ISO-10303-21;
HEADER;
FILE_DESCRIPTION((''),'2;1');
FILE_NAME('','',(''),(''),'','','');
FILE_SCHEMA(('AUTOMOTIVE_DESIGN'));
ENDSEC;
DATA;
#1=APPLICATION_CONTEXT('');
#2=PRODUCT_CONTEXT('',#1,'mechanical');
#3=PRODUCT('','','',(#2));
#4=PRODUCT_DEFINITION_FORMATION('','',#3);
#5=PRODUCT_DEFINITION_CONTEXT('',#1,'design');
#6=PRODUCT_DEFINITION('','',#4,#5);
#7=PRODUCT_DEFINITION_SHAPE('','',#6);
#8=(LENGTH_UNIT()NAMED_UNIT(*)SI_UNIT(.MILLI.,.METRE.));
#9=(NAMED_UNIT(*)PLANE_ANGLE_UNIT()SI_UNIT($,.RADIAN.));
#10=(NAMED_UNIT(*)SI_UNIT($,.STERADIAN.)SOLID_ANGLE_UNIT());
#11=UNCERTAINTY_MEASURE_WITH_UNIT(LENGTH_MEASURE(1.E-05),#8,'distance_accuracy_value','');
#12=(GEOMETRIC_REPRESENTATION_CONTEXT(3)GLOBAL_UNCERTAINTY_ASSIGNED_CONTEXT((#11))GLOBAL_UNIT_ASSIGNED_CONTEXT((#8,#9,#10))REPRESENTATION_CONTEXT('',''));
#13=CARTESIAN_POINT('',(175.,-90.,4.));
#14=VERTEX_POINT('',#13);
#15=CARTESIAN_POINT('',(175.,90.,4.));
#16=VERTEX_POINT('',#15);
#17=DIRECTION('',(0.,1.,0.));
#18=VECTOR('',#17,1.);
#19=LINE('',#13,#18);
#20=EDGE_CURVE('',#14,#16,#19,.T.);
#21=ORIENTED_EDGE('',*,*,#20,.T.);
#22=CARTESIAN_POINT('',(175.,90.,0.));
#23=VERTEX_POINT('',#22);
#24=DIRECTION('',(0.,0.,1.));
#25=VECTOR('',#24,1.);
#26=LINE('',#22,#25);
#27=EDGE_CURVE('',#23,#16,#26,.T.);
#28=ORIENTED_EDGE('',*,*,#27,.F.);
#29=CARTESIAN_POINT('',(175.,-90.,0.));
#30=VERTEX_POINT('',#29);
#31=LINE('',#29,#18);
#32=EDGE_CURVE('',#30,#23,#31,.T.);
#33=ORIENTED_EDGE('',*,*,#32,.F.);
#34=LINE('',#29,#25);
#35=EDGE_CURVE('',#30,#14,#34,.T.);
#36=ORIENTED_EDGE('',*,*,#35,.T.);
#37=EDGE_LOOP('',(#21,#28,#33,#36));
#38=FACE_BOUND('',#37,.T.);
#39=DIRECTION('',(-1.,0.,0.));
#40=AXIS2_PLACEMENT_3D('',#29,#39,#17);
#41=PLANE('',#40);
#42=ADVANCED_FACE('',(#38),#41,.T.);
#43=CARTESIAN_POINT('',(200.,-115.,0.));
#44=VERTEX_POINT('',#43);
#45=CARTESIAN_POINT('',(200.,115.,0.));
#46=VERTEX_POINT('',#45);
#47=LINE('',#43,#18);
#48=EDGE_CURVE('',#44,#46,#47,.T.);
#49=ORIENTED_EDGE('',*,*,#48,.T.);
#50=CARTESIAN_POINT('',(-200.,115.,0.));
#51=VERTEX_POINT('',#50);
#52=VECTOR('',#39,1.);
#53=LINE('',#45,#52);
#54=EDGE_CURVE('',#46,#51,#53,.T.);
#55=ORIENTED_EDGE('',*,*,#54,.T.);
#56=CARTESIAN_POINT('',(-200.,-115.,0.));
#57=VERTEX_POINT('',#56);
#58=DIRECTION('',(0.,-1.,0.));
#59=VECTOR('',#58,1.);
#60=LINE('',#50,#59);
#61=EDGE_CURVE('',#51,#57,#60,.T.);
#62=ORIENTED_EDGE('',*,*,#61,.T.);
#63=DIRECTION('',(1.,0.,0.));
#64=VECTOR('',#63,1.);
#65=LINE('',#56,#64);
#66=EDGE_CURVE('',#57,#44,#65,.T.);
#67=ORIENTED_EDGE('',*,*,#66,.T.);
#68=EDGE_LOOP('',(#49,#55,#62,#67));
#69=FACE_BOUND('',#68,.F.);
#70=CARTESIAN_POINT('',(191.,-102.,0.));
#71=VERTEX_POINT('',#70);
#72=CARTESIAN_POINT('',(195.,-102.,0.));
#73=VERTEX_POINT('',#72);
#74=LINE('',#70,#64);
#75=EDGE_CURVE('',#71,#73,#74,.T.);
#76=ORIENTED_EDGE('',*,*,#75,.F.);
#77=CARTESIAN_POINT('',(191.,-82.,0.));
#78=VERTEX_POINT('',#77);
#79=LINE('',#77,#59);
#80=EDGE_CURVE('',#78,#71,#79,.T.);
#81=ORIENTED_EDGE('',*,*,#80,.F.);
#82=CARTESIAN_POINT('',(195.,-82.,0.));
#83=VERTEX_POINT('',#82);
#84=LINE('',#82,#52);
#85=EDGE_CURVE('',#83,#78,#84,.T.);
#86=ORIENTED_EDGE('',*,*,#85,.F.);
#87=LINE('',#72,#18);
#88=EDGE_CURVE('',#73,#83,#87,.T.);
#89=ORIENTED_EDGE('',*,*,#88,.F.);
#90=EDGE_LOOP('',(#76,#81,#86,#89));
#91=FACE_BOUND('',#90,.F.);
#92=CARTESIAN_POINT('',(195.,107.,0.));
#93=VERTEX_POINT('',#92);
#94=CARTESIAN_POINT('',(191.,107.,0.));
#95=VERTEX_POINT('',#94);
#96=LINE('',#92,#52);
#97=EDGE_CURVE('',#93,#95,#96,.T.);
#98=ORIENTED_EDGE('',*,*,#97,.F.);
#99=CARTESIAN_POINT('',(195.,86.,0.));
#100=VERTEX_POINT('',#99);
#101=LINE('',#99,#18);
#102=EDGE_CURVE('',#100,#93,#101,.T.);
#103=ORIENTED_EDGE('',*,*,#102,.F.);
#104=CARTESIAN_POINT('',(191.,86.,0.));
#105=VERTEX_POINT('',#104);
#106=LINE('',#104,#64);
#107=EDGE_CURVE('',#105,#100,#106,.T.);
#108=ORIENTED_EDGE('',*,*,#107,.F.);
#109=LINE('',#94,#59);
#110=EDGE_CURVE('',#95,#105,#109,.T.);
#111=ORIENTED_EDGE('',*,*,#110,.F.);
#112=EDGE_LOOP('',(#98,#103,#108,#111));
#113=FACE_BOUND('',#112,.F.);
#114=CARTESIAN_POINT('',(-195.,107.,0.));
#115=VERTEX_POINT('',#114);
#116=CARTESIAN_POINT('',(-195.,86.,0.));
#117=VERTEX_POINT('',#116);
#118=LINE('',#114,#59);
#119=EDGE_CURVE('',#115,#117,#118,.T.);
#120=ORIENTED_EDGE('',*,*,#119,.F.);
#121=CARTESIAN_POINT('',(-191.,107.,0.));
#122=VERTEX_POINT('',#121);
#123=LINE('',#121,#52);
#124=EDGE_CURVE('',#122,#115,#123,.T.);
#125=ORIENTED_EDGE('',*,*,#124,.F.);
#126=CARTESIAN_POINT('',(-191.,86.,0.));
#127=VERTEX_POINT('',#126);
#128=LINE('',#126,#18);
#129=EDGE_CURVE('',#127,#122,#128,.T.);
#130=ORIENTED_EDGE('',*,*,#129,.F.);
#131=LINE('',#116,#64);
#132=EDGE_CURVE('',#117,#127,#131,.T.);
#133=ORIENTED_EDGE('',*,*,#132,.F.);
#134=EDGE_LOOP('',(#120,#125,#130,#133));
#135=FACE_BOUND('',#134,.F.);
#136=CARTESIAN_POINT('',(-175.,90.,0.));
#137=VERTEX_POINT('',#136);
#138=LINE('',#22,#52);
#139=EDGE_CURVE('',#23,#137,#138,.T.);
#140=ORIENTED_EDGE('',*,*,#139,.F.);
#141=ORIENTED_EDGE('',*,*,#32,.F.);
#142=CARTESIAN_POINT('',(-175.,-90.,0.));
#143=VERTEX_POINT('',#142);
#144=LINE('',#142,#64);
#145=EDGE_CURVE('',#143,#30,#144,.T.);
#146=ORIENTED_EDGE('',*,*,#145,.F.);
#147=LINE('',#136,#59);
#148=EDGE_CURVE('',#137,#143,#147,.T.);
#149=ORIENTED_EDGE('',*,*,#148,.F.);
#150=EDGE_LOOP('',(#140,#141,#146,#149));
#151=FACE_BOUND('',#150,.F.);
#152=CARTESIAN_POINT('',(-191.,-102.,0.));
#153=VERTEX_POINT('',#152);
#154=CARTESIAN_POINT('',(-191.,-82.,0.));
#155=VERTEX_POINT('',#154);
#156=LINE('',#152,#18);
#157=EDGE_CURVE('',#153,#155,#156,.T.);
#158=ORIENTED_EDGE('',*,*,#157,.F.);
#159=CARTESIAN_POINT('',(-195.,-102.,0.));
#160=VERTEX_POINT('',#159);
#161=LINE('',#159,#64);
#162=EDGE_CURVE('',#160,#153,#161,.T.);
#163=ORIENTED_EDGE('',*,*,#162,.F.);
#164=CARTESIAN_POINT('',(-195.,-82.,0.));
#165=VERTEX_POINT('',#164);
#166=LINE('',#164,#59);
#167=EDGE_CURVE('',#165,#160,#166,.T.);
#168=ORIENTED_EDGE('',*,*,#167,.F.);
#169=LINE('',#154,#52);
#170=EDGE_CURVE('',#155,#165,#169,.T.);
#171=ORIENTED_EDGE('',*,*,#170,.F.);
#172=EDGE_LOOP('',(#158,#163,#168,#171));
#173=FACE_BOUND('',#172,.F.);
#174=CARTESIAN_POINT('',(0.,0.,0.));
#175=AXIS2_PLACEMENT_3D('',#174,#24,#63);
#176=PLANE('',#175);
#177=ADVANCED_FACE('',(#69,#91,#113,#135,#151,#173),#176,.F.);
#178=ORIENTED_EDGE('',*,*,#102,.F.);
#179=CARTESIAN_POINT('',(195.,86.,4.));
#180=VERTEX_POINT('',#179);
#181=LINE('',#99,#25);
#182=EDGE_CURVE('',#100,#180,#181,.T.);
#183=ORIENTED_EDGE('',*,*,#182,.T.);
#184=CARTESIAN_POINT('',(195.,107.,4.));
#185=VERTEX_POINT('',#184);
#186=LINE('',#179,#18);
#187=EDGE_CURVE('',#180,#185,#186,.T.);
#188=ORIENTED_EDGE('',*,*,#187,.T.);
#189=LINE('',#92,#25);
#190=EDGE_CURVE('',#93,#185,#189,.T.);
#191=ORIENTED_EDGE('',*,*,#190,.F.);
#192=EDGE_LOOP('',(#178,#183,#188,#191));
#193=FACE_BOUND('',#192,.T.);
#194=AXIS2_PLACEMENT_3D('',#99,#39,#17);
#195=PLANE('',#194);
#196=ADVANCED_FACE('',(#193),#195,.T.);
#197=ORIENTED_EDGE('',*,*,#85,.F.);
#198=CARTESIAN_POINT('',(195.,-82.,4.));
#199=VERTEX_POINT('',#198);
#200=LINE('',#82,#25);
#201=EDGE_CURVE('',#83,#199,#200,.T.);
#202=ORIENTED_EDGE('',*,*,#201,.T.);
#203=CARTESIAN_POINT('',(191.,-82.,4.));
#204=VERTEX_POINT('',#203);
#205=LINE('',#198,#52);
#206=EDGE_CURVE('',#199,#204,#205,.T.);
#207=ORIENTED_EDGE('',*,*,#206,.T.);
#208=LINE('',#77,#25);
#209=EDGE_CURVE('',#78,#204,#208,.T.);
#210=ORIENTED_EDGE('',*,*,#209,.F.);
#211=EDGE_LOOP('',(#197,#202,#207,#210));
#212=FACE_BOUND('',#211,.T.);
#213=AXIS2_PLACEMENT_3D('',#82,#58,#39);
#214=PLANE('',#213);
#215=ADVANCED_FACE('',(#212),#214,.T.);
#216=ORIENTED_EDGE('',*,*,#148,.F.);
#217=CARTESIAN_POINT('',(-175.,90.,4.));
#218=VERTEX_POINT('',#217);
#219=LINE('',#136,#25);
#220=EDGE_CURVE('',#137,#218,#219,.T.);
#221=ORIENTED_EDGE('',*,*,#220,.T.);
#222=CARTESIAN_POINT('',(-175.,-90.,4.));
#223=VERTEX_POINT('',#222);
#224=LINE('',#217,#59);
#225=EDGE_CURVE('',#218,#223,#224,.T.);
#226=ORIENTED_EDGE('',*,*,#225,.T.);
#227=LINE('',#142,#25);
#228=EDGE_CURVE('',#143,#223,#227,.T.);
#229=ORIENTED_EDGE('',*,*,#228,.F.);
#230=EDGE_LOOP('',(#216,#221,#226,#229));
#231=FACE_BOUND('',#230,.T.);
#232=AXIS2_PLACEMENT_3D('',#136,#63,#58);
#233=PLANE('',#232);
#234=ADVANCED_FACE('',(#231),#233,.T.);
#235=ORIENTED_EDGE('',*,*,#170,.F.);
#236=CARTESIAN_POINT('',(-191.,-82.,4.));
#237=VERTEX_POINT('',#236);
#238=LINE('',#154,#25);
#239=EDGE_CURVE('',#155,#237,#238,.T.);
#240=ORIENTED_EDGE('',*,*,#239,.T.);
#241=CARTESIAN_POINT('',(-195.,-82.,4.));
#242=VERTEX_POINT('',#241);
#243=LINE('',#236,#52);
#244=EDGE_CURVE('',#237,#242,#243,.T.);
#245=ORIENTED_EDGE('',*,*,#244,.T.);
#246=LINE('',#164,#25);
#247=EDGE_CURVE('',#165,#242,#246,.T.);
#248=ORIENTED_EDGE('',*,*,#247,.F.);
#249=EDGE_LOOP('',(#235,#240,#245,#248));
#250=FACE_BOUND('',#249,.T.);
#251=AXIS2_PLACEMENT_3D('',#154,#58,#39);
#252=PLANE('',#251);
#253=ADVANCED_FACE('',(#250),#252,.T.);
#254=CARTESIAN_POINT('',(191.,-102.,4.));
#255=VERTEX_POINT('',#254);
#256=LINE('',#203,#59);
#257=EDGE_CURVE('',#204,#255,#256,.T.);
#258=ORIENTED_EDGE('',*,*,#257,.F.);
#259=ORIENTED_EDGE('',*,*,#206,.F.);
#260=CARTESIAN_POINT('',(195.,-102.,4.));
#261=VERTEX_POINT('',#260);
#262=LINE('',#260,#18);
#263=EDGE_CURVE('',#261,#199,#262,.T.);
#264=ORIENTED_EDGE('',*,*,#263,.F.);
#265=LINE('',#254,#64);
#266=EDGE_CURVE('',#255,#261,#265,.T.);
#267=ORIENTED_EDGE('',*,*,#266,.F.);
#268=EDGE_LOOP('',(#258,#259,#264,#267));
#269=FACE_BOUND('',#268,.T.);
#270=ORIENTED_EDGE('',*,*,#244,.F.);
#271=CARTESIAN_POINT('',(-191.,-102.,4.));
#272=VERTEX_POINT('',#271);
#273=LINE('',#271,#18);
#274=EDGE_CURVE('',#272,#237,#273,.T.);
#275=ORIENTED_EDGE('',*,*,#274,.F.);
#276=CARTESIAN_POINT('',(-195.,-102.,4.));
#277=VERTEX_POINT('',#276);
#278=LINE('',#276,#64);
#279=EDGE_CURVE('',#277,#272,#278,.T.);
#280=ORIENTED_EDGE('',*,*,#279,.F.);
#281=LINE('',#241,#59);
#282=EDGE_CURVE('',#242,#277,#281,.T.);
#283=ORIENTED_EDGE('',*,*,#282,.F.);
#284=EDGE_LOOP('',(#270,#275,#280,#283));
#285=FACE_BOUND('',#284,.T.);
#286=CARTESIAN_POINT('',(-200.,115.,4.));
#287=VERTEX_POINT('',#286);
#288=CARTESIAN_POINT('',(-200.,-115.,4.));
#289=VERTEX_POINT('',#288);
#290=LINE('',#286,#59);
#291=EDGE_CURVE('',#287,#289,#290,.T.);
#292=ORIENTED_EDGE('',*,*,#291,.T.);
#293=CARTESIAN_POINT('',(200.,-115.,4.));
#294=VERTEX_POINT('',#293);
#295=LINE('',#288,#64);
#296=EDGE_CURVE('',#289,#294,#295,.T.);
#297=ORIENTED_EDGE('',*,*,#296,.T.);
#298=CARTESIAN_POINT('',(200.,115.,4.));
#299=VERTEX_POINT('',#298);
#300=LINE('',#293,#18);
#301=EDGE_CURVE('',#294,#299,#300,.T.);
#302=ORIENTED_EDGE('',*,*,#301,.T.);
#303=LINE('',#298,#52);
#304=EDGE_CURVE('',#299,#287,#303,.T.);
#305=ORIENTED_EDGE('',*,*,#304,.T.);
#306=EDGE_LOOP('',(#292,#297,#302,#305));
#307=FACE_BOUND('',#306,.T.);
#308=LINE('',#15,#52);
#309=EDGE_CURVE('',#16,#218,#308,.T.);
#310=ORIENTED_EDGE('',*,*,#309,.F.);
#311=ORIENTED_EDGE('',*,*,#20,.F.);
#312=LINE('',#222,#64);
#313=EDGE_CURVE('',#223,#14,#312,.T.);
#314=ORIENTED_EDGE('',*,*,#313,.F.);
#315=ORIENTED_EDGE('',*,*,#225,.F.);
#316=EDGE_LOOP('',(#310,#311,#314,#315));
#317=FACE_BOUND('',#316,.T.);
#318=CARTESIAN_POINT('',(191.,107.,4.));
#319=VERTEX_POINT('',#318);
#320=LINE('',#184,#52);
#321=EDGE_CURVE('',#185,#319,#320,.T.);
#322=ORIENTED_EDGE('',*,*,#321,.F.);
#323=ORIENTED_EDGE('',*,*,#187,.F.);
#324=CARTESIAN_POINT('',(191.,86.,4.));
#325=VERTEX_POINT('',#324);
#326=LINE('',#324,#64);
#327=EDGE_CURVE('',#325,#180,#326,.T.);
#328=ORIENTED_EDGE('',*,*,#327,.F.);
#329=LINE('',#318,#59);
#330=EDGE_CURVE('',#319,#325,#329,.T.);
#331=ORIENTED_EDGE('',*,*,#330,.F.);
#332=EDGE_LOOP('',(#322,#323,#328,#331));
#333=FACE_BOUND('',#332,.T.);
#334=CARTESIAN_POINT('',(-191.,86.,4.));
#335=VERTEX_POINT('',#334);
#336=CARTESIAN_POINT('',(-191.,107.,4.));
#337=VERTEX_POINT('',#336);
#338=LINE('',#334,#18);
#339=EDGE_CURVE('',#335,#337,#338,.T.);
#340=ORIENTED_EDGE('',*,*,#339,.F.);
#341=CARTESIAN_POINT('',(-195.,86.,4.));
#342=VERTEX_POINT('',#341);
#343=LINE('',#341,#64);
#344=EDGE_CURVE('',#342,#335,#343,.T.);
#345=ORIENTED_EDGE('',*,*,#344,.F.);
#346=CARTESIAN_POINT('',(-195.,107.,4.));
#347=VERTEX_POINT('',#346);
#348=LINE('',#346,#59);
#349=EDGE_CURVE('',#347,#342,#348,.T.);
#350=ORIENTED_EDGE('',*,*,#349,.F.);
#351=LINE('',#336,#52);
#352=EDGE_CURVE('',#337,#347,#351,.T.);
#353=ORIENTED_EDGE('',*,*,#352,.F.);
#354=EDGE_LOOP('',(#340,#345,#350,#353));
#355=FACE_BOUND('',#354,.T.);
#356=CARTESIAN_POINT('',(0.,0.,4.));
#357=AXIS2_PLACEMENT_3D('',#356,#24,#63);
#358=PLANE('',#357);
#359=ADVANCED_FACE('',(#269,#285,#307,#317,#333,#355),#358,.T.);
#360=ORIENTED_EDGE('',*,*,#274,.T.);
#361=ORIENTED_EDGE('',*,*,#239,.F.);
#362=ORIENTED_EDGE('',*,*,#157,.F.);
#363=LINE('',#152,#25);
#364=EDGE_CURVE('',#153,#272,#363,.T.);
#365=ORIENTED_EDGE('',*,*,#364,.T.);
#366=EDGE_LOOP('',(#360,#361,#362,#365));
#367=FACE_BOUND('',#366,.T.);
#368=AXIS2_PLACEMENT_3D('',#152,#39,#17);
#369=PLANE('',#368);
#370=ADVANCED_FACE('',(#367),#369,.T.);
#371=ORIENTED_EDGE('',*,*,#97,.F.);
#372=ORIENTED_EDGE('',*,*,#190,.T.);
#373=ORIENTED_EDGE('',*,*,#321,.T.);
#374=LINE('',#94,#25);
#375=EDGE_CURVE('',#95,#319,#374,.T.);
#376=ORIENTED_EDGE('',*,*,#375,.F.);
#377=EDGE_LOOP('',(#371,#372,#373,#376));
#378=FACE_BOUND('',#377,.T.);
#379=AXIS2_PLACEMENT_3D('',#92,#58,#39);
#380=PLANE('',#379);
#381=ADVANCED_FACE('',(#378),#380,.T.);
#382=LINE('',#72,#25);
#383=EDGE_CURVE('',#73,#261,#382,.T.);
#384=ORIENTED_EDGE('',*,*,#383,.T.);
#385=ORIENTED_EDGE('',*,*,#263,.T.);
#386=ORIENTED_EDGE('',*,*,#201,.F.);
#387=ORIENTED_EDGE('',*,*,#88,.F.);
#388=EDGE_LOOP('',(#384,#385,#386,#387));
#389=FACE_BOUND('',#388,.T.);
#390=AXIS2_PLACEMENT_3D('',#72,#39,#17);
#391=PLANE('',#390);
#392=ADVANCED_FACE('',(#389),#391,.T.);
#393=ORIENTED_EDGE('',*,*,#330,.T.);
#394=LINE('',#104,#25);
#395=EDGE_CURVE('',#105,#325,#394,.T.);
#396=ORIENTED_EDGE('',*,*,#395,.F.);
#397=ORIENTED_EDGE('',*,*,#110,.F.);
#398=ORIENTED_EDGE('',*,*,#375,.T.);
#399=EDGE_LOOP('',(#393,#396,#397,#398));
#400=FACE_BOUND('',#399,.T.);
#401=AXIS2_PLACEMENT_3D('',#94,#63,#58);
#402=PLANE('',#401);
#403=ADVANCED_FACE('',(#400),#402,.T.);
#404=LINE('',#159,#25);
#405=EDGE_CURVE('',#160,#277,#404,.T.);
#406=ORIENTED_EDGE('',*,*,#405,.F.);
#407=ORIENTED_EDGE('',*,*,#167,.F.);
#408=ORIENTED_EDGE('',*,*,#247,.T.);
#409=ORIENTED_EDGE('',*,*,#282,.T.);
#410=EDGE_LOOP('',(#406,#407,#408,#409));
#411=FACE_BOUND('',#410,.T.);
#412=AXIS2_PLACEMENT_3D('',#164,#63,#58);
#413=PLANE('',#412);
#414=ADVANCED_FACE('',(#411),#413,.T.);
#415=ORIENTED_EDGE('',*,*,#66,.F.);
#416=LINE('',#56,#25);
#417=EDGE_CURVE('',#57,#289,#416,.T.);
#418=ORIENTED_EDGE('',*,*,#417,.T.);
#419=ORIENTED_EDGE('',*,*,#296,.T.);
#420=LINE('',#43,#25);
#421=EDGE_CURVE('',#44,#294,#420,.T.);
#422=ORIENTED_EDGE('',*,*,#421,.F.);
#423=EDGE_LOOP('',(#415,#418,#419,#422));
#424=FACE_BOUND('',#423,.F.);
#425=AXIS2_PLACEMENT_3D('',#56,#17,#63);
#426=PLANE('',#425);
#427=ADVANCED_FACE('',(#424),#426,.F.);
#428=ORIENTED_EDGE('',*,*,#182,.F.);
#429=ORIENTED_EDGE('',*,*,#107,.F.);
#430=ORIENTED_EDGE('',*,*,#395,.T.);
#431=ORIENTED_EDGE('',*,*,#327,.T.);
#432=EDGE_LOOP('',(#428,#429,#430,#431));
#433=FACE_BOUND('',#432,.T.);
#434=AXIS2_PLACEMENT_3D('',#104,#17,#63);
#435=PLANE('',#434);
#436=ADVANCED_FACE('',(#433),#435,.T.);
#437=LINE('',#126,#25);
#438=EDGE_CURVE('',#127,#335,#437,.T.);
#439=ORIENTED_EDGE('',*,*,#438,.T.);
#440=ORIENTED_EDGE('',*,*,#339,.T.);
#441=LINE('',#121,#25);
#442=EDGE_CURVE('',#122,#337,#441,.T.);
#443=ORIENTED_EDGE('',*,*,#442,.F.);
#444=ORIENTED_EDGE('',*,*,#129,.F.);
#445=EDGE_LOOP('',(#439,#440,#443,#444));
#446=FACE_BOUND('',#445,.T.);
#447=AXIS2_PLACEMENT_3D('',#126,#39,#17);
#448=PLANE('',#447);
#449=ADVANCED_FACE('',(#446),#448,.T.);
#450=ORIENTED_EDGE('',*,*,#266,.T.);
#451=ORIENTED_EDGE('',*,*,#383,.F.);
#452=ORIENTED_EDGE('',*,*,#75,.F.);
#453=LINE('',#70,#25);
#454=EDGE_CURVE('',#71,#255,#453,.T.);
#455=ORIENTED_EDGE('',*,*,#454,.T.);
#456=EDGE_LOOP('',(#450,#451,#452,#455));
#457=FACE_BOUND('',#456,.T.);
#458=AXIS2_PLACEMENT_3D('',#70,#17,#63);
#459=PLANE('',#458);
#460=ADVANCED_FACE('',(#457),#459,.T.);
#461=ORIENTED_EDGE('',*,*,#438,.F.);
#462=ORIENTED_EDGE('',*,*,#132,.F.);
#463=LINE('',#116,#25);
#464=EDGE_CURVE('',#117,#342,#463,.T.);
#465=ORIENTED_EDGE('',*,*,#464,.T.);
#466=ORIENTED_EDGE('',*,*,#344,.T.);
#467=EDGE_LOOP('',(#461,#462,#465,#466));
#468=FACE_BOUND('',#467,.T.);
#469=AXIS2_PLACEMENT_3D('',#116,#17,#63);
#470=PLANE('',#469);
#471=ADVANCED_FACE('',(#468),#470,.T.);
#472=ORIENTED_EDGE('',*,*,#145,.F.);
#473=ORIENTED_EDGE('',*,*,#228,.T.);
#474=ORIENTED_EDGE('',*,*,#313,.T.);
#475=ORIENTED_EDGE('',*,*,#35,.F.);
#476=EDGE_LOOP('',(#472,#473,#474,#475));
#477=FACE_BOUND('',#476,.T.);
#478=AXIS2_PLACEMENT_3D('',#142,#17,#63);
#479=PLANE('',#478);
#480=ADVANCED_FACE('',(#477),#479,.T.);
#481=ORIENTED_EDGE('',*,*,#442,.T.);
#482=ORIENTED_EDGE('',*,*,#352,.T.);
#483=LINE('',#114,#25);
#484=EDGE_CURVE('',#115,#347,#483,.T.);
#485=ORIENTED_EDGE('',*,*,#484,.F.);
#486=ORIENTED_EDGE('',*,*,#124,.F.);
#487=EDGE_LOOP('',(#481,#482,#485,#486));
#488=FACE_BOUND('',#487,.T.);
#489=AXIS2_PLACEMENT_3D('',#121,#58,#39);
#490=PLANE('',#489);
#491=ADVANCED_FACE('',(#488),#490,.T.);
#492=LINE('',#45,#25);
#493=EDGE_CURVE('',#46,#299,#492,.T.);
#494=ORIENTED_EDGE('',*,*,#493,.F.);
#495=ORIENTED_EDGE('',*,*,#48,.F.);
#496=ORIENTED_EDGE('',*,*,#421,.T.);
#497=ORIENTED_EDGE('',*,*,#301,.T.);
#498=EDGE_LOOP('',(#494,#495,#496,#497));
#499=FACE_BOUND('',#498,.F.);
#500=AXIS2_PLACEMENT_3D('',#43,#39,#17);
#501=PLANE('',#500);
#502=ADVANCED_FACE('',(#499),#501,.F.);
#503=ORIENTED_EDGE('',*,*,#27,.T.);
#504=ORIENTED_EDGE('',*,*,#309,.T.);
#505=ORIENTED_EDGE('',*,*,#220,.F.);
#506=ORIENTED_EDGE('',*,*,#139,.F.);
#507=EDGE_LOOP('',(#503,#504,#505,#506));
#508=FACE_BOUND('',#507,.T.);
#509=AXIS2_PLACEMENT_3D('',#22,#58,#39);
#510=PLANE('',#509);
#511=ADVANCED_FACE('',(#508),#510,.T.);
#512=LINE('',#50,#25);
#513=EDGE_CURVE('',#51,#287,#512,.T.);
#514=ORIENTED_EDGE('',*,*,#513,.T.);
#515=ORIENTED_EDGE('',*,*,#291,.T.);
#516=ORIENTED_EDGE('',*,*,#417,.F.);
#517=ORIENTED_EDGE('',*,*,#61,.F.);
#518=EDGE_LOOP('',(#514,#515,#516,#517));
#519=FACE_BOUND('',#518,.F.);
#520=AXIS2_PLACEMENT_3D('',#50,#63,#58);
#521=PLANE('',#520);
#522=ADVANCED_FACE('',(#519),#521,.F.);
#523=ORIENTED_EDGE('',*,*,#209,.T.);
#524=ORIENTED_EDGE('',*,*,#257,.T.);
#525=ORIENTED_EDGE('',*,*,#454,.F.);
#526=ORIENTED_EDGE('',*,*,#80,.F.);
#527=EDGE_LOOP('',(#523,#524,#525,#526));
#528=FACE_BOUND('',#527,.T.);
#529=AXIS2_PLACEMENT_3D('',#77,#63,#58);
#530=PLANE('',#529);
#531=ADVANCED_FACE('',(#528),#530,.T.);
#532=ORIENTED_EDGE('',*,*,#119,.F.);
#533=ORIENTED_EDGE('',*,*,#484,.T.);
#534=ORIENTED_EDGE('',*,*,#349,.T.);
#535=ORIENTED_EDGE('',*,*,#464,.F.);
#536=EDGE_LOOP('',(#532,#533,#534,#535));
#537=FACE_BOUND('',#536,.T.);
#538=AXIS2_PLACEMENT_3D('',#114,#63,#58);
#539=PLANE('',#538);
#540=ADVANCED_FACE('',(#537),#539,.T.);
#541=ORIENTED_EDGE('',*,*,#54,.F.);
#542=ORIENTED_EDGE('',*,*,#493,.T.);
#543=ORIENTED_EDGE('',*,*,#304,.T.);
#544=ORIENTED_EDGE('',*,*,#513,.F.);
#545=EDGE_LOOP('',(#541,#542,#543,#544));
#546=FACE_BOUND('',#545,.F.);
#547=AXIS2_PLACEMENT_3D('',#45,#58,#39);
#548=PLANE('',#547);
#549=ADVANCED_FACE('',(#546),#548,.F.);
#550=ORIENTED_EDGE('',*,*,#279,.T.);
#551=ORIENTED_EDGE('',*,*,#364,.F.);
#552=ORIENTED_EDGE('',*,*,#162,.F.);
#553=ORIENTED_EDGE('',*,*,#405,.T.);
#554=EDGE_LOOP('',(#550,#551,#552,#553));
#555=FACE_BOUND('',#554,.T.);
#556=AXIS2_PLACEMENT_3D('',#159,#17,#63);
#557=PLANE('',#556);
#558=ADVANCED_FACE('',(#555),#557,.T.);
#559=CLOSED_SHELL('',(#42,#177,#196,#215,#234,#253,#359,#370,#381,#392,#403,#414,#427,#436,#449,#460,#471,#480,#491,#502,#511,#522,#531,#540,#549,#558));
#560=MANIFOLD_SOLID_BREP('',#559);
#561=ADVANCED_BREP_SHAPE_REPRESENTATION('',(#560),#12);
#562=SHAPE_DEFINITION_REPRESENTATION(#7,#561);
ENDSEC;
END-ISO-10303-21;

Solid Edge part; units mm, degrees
sketch "Sketch1" plane through (0, 0, 0) normal (0, 0, 1) x (1, 0, 0)
  line L0 (191, 107) -> (191, 86)
  line L1 (191, 86) -> (195, 86)
  line L2 (195, 86) -> (195, 107)
  line L3 (195, 107) -> (191, 107)
  line L4 (-195, -82) -> (-195, -102)
  line L5 (-195, -102) -> (-191, -102)
  line L6 (-191, -102) -> (-191, -82)
  line L7 (-191, -82) -> (-195, -82)
  line L8 (-195, 107) -> (-195, 86)
  line L9 (-195, 86) -> (-191, 86)
  line L10 (-191, 86) -> (-191, 107)
  line L11 (-191, 107) -> (-195, 107)
  line L12 (195, -82) -> (191, -82)
  line L13 (191, -82) -> (191, -102)
  line L14 (191, -102) -> (195, -102)
  line L15 (195, -102) -> (195, -82)
  line L16 (200, 115) -> (-200, 115)
  line L17 (-200, 115) -> (-200, -115)
  line L18 (-200, -115) -> (200, -115)
  line L19 (200, -115) -> (200, 115)
  line L20 (175, 90) -> (-175, 90)
  line L21 (-175, 90) -> (-175, -90)
  line L22 (-175, -90) -> (175, -90)
  line L23 (175, -90) -> (175, 90)
  dimension "D1" = 21
  dimension "D2" = 20
  dimension "D3" = 5
  dimension "D4" = 4
  dimension "D5" = 4
  dimension "D6" = 5
  dimension "D7" = 20
  dimension "D8" = 4
  dimension "D9" = 5
  dimension "D10" = 21
  dimension "D11" = 4
  dimension "D12" = 5
  dimension "D13" = 13
  dimension "D14" = 13
  dimension "D15" = 8
  dimension "D16" = 8
  dimension "D17" = 400
  dimension "D18" = 230
extrude "Protrusion1" add sketch "Sketch1" along normal blind 4
